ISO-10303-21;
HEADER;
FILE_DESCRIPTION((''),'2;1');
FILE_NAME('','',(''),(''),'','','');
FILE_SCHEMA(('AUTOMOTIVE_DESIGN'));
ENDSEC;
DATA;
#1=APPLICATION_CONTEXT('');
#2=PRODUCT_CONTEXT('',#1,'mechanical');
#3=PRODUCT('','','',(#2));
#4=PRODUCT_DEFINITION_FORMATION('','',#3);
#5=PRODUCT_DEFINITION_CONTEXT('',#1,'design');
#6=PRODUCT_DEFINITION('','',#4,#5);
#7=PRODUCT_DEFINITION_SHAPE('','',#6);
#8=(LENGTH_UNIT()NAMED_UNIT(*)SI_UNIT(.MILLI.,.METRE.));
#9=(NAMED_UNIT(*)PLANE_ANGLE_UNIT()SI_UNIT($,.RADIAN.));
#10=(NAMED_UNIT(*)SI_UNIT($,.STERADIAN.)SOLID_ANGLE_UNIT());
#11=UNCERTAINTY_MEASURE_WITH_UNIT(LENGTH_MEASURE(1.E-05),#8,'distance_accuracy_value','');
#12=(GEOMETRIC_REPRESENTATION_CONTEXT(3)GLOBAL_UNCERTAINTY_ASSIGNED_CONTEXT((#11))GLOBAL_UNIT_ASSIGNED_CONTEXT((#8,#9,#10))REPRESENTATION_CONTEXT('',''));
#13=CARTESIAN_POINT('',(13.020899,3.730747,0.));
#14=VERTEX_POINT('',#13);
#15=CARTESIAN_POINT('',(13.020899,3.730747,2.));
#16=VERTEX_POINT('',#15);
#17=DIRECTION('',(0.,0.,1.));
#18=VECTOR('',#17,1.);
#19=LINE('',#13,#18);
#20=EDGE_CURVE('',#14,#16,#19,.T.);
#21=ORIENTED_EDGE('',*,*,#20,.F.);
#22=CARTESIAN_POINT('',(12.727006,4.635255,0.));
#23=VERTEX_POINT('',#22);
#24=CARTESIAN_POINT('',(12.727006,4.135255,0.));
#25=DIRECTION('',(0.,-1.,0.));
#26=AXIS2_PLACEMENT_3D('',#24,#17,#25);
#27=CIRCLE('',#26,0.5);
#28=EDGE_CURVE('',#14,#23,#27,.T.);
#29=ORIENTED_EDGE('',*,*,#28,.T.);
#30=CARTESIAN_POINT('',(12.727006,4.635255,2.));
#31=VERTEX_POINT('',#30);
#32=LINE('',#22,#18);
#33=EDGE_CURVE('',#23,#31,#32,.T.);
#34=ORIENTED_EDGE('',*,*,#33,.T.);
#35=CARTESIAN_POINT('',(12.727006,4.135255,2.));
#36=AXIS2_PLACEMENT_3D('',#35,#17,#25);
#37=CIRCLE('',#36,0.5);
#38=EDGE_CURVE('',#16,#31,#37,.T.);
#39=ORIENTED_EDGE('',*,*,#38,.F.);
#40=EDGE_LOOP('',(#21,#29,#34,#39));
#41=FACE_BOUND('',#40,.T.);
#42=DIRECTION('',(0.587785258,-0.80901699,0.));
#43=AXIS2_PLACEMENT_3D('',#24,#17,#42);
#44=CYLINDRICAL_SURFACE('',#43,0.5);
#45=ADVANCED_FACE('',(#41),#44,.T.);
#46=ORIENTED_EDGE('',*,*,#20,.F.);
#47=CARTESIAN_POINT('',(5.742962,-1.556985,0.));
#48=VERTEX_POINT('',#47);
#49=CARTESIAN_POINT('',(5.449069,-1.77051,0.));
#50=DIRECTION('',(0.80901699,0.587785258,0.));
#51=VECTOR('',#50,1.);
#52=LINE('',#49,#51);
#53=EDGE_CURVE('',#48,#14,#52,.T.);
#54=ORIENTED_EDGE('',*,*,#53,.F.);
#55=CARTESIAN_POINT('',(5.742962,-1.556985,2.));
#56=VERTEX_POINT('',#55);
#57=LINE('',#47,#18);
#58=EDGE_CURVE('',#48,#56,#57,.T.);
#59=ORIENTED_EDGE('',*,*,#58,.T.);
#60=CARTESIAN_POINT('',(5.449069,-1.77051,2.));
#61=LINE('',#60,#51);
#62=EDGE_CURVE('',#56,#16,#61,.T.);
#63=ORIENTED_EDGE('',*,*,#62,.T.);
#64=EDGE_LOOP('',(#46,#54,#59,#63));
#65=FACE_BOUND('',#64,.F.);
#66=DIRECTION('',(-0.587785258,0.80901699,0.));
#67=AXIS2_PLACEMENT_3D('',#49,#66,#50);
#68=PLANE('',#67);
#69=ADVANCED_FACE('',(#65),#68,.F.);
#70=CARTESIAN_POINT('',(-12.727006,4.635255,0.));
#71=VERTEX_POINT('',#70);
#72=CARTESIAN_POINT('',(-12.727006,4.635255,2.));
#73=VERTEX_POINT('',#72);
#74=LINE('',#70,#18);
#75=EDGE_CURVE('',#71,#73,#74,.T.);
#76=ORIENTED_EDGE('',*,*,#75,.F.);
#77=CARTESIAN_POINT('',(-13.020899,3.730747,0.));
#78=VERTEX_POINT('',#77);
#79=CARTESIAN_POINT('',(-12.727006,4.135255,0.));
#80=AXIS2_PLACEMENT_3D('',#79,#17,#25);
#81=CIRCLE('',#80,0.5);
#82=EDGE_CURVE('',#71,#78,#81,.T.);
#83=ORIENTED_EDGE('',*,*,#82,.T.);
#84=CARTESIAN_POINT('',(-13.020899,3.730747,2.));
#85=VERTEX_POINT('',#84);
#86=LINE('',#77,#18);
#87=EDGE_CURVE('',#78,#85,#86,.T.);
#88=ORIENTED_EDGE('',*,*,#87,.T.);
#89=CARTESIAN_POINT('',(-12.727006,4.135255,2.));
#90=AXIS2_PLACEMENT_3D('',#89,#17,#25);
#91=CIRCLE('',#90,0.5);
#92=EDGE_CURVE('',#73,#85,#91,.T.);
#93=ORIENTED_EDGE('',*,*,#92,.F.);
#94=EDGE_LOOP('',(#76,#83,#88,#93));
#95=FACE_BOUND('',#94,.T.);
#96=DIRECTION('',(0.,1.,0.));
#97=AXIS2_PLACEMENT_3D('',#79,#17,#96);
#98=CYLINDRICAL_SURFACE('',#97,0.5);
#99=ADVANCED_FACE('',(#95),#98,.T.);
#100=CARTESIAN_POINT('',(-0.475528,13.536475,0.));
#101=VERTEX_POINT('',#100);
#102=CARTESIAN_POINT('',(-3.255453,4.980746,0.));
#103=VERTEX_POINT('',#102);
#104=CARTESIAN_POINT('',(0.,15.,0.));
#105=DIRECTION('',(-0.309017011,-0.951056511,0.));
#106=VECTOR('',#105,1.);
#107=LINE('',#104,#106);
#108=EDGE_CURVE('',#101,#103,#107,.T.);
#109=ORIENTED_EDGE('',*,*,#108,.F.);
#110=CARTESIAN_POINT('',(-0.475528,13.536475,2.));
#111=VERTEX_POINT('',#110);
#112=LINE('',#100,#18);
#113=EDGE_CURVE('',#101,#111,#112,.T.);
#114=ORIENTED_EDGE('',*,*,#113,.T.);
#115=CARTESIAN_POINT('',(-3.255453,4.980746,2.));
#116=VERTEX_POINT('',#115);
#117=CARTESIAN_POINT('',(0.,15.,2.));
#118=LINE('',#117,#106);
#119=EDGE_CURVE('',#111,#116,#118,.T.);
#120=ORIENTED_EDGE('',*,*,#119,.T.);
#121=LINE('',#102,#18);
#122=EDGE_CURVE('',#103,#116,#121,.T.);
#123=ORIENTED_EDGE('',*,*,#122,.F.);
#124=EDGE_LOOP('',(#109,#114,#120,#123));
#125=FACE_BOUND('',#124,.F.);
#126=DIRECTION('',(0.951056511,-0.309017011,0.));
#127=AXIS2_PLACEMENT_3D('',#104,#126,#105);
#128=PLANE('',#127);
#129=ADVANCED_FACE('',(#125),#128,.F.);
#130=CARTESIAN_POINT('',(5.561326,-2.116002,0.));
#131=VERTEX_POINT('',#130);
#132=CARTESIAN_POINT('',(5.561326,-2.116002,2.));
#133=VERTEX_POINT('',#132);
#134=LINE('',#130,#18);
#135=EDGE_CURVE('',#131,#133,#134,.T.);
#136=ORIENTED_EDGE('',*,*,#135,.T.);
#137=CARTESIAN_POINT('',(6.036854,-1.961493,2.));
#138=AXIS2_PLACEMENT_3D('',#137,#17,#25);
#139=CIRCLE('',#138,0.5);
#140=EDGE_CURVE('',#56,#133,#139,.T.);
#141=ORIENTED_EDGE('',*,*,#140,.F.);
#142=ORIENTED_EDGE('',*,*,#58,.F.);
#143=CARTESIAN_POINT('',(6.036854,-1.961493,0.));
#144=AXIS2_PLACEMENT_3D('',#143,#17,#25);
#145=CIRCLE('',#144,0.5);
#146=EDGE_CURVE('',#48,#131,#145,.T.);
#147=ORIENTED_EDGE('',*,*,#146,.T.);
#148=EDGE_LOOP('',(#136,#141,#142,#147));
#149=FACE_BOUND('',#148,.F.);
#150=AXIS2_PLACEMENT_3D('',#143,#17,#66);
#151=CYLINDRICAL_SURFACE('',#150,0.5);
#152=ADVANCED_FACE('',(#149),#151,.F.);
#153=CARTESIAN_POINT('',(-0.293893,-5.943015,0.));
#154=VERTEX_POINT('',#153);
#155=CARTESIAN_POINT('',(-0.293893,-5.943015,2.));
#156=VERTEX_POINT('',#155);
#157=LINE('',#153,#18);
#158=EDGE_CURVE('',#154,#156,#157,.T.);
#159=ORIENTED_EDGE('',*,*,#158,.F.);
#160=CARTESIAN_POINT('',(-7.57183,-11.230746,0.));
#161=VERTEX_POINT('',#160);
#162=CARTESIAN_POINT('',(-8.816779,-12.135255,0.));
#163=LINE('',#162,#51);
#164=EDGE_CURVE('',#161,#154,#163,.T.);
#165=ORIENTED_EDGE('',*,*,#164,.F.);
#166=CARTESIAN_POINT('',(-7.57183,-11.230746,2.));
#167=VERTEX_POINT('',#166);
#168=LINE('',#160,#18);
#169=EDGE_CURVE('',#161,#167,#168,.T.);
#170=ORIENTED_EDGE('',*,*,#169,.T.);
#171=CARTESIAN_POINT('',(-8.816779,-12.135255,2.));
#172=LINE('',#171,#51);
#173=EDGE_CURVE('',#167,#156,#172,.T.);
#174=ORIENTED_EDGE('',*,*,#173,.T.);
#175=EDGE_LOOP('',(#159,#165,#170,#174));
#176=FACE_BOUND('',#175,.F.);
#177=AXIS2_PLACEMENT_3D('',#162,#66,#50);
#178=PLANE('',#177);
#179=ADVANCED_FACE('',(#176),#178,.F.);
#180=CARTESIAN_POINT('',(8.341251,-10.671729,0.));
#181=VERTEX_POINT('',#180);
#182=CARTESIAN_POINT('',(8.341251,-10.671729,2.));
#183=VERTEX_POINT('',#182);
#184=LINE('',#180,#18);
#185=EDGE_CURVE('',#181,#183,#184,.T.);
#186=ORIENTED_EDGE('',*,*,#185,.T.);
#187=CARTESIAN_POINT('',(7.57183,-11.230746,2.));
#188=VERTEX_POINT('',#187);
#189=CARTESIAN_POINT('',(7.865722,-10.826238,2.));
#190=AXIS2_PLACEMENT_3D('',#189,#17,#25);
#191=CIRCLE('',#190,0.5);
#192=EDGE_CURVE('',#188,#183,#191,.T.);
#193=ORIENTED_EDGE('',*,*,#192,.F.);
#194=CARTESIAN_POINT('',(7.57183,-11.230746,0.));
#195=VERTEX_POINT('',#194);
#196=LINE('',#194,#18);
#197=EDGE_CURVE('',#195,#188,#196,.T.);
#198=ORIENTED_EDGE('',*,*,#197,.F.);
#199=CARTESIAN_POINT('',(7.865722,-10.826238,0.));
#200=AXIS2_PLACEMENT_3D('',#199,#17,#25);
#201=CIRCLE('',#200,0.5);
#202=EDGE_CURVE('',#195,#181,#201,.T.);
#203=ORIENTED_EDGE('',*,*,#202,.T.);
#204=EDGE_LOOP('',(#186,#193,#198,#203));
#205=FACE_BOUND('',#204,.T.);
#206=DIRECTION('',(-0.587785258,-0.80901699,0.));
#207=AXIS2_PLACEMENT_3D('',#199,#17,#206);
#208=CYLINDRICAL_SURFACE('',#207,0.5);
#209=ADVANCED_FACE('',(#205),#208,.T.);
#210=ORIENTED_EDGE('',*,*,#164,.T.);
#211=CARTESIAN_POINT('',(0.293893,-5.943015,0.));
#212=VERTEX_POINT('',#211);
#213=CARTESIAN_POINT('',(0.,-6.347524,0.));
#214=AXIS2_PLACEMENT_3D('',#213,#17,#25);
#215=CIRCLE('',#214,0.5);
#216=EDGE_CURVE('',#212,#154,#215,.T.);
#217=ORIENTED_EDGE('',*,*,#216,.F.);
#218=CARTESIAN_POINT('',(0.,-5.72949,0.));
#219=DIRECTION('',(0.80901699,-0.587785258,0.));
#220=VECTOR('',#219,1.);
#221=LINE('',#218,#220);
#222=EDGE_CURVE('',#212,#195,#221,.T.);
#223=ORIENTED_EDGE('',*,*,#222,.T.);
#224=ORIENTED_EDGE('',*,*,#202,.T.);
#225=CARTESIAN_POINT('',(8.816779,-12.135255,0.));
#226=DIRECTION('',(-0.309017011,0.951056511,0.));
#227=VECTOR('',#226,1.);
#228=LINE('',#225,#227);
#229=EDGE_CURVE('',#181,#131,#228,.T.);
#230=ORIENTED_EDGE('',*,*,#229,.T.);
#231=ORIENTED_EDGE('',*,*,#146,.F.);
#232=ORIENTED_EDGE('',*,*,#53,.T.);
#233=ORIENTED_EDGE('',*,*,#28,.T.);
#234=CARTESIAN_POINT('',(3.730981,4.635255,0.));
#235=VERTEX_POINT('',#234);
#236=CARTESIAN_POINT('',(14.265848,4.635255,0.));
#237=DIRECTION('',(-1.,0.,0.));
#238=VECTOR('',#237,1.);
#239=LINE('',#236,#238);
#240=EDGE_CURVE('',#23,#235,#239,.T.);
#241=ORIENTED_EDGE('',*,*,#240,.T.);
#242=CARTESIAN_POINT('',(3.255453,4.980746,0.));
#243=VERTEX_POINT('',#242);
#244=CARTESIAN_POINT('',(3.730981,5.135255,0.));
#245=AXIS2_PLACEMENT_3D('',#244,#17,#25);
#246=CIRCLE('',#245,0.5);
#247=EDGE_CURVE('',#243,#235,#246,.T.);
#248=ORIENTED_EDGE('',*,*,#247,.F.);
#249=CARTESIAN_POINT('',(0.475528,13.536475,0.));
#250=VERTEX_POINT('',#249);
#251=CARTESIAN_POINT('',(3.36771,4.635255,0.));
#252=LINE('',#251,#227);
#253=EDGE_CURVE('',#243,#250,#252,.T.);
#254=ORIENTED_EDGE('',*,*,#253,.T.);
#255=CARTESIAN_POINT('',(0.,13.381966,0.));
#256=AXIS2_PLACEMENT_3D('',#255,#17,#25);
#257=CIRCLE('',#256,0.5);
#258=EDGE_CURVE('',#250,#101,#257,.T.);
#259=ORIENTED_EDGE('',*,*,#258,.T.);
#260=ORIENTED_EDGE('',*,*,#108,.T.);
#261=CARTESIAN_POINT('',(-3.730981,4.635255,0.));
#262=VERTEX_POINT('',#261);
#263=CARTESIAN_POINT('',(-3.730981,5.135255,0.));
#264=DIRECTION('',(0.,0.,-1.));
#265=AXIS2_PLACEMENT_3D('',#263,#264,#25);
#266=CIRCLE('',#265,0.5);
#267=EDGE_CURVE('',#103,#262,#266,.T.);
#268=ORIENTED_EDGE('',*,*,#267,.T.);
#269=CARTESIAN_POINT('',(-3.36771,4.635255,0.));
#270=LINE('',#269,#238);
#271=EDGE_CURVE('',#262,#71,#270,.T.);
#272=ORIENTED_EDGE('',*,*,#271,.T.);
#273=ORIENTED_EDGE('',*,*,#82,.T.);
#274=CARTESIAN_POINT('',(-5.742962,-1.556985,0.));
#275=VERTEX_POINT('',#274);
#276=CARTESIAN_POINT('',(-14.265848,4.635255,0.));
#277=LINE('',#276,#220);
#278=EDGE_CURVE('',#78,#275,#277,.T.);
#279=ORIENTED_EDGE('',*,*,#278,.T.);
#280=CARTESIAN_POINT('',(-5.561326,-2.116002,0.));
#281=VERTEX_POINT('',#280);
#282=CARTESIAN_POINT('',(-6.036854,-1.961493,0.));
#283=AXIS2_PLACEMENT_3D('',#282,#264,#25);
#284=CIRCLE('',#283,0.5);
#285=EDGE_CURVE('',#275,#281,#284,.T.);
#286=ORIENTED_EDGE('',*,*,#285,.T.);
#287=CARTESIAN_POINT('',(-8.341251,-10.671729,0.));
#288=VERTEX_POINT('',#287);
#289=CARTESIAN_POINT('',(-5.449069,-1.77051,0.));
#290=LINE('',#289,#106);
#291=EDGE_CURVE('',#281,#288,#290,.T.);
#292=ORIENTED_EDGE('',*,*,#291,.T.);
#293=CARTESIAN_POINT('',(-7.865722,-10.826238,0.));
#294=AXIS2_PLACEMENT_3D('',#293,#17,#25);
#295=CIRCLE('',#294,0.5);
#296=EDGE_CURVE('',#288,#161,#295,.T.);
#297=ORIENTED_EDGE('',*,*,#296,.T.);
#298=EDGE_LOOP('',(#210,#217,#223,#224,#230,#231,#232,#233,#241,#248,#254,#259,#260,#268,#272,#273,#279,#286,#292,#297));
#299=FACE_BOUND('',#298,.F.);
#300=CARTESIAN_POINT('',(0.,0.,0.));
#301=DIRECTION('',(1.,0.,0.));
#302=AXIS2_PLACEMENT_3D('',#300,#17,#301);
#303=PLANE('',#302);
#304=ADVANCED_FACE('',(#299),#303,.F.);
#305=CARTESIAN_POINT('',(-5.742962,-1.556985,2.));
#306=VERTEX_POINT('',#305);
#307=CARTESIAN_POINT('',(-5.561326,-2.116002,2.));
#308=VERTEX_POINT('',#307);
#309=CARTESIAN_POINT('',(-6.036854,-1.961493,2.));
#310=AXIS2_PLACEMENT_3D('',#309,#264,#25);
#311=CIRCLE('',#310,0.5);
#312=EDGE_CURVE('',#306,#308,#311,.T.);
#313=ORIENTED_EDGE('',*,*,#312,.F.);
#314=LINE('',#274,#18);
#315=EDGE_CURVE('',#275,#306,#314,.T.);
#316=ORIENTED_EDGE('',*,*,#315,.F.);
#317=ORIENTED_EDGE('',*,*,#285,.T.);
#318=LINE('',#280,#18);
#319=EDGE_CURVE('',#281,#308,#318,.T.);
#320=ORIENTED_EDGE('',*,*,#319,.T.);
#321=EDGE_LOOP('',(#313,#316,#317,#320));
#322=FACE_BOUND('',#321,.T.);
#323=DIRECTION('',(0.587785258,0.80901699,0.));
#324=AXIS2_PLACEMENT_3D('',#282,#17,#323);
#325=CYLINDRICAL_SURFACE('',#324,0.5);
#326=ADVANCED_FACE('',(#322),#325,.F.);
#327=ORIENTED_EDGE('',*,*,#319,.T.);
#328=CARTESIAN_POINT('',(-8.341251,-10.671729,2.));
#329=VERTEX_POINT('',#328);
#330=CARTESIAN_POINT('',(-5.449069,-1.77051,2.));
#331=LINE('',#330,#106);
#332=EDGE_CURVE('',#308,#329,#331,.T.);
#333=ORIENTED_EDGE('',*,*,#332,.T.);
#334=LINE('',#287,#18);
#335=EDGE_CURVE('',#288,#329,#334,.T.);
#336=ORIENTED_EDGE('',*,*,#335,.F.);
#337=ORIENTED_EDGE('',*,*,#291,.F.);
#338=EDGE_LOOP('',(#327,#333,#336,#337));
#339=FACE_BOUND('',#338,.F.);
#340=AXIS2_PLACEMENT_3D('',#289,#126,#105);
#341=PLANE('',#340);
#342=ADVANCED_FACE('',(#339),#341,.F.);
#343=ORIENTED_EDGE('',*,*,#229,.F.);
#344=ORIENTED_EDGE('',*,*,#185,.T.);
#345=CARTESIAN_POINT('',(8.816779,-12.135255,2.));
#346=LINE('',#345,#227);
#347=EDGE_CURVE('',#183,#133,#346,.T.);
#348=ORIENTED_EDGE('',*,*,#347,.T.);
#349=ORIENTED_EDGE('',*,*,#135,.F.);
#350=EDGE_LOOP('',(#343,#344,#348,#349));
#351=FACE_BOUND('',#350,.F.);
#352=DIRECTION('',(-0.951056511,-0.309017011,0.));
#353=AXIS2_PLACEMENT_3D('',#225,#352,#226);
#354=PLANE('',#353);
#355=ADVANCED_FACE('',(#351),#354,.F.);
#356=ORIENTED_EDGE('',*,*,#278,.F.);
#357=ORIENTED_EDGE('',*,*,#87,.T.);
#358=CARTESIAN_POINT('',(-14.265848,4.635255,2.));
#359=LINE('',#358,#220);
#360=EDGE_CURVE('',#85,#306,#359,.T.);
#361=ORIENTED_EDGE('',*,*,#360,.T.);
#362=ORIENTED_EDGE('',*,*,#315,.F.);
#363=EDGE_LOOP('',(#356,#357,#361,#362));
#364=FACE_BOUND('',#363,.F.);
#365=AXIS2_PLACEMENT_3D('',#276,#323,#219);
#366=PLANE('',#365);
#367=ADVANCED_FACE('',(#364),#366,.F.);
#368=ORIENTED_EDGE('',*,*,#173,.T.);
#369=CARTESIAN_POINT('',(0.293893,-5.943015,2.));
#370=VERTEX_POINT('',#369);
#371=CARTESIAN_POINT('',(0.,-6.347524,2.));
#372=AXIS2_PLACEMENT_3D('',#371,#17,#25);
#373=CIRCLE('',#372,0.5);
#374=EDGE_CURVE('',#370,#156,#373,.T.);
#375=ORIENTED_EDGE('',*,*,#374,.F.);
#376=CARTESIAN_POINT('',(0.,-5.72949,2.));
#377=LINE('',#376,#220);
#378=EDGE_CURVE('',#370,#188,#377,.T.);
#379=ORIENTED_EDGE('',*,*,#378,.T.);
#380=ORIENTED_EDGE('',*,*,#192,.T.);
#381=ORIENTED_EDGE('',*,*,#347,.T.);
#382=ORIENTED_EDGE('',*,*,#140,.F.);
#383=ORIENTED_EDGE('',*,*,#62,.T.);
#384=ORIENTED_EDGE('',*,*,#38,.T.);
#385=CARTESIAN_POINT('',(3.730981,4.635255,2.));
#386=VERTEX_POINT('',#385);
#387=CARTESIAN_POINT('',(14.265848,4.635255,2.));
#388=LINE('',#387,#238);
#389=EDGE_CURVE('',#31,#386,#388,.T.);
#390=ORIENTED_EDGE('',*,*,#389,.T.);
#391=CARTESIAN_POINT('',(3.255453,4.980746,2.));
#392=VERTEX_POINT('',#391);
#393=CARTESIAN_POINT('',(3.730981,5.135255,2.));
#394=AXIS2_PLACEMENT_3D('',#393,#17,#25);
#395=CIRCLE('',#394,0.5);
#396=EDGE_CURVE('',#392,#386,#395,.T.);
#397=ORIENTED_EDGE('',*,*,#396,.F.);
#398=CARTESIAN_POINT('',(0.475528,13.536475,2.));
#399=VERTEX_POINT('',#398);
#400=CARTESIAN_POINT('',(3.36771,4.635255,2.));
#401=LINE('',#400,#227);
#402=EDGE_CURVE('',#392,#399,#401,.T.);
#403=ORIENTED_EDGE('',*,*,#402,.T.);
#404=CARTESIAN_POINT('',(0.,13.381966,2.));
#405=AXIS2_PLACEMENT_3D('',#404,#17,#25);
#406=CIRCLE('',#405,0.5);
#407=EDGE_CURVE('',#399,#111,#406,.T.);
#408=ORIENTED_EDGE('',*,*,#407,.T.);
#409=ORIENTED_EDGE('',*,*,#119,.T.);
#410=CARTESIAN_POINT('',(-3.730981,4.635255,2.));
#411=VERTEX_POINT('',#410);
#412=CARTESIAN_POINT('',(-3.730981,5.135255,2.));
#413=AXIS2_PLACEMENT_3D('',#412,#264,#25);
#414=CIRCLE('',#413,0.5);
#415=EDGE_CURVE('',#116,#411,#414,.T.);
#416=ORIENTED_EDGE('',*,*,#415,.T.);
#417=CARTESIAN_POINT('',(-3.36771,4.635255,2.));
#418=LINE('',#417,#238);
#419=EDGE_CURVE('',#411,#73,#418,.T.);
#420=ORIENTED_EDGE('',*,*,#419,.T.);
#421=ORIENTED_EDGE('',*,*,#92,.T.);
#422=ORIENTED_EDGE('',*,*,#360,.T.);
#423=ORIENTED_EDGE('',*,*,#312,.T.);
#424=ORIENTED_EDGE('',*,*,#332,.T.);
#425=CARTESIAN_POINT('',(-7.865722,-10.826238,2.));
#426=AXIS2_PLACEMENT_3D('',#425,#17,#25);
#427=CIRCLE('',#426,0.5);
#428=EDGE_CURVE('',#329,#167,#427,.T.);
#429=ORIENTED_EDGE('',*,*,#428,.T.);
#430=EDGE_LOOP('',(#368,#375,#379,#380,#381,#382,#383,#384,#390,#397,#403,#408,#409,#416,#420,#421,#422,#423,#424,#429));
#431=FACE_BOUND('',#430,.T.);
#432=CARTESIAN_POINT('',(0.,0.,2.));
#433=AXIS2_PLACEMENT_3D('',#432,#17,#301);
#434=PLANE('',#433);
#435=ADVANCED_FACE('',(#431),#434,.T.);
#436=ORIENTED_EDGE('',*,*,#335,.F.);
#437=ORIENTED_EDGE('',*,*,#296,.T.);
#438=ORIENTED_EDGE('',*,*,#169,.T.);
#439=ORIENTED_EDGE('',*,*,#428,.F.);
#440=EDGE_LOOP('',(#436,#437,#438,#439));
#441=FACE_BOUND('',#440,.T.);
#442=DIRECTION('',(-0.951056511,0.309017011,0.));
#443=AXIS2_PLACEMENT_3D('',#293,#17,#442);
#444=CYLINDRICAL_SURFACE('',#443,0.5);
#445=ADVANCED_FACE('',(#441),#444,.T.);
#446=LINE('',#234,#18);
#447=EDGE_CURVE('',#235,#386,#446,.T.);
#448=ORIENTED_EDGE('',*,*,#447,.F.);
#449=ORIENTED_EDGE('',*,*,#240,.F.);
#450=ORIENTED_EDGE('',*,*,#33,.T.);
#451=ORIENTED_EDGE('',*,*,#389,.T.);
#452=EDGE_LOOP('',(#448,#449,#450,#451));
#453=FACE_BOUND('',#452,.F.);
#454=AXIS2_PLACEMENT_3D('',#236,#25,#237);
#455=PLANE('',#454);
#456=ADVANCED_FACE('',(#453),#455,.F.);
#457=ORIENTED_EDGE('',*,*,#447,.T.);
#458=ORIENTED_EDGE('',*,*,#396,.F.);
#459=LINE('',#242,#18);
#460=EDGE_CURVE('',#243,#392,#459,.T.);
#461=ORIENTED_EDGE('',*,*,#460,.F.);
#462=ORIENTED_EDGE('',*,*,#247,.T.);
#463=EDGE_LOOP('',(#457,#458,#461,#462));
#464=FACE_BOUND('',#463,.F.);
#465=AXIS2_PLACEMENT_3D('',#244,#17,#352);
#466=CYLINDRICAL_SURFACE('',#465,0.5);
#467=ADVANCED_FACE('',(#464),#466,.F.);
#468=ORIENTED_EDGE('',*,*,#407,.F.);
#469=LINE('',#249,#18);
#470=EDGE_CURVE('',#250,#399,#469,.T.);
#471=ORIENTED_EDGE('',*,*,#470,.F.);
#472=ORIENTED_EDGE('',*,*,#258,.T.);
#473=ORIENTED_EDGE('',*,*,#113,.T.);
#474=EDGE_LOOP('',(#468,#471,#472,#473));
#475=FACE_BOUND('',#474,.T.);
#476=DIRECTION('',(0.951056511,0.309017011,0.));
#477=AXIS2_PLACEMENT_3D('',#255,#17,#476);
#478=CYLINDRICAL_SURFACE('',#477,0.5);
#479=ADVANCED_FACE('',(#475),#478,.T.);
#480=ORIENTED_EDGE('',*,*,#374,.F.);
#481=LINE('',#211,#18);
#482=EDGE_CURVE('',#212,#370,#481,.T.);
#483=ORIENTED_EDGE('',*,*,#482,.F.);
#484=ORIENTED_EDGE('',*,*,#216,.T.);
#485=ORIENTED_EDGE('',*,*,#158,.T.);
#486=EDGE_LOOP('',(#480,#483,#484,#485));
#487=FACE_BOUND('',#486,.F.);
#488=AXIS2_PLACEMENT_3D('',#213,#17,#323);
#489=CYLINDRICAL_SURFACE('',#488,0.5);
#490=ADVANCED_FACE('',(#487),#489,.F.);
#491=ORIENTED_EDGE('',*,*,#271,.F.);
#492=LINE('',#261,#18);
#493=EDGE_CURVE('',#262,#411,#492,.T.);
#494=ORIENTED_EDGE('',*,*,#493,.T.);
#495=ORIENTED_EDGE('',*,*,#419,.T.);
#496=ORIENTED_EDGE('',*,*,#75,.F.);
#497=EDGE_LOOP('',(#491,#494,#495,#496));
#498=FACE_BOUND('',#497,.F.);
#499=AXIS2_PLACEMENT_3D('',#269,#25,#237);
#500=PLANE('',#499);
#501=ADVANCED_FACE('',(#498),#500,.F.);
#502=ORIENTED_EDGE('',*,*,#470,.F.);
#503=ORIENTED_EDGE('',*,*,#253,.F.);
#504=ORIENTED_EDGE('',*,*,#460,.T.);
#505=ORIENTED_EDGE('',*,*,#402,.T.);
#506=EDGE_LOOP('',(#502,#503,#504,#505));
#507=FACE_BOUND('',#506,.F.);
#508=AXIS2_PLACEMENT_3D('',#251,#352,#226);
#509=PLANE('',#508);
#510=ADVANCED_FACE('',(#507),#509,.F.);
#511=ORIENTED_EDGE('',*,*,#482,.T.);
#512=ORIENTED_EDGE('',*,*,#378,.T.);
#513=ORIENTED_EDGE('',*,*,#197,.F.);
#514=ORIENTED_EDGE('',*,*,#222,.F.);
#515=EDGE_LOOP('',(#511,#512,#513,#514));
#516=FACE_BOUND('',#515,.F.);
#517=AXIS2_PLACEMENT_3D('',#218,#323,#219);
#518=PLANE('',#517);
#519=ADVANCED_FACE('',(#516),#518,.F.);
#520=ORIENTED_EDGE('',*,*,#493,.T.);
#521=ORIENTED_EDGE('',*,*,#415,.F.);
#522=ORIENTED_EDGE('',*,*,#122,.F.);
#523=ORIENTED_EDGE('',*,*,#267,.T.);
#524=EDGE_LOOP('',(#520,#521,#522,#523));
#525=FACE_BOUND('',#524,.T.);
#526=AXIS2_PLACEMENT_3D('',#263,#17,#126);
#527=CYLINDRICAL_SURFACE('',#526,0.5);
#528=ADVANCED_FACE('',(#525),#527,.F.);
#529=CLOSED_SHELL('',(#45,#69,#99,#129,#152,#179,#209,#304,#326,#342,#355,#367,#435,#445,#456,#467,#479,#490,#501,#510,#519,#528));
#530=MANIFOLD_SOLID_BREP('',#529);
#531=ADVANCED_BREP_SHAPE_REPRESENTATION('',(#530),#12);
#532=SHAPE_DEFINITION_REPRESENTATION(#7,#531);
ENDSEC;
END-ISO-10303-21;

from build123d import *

# Parameters (mm, degrees)
F1_DEPTH = 2
F2_R     = 0.5
F3_R     = 0.5


with BuildPart() as f1:
    # F0 (on Top) → F1 (new body)
    with BuildSketch(Plane.XY):
        Polygon((3.36771, 4.635255), (0, 15), (-3.36771, 4.635255), (-14.265848, 4.635255), (-5.449069, -1.77051), (-8.816779, -12.135255), (0, -5.72949), (8.816779, -12.135255), (5.449069, -1.77051), (14.265848, 4.635255), align=None)
    extrude(amount=F1_DEPTH)

    # F2
    f2_edges = [f1.edges().sort_by_distance(p)[0] for p in [
        (0, 15, 1),
        (-14.265848, 4.635255, 1),
        (14.265848, 4.635255, 1),
        (8.816779, -12.135255, 1),
        (-8.816779, -12.135255, 1),
    ]]
    fillet(f2_edges, radius=F2_R)

    # F3
    f3_edges = [f1.edges().sort_by_distance(p)[0] for p in [
        (0, -5.72949, 1),
        (5.449069, -1.77051, 1),
        (3.36771, 4.635255, 1),
        (-3.36771, 4.635255, 1),
        (-5.449069, -1.77051, 1),
    ]]
    fillet(f3_edges, radius=F3_R)


solid = f1.part
